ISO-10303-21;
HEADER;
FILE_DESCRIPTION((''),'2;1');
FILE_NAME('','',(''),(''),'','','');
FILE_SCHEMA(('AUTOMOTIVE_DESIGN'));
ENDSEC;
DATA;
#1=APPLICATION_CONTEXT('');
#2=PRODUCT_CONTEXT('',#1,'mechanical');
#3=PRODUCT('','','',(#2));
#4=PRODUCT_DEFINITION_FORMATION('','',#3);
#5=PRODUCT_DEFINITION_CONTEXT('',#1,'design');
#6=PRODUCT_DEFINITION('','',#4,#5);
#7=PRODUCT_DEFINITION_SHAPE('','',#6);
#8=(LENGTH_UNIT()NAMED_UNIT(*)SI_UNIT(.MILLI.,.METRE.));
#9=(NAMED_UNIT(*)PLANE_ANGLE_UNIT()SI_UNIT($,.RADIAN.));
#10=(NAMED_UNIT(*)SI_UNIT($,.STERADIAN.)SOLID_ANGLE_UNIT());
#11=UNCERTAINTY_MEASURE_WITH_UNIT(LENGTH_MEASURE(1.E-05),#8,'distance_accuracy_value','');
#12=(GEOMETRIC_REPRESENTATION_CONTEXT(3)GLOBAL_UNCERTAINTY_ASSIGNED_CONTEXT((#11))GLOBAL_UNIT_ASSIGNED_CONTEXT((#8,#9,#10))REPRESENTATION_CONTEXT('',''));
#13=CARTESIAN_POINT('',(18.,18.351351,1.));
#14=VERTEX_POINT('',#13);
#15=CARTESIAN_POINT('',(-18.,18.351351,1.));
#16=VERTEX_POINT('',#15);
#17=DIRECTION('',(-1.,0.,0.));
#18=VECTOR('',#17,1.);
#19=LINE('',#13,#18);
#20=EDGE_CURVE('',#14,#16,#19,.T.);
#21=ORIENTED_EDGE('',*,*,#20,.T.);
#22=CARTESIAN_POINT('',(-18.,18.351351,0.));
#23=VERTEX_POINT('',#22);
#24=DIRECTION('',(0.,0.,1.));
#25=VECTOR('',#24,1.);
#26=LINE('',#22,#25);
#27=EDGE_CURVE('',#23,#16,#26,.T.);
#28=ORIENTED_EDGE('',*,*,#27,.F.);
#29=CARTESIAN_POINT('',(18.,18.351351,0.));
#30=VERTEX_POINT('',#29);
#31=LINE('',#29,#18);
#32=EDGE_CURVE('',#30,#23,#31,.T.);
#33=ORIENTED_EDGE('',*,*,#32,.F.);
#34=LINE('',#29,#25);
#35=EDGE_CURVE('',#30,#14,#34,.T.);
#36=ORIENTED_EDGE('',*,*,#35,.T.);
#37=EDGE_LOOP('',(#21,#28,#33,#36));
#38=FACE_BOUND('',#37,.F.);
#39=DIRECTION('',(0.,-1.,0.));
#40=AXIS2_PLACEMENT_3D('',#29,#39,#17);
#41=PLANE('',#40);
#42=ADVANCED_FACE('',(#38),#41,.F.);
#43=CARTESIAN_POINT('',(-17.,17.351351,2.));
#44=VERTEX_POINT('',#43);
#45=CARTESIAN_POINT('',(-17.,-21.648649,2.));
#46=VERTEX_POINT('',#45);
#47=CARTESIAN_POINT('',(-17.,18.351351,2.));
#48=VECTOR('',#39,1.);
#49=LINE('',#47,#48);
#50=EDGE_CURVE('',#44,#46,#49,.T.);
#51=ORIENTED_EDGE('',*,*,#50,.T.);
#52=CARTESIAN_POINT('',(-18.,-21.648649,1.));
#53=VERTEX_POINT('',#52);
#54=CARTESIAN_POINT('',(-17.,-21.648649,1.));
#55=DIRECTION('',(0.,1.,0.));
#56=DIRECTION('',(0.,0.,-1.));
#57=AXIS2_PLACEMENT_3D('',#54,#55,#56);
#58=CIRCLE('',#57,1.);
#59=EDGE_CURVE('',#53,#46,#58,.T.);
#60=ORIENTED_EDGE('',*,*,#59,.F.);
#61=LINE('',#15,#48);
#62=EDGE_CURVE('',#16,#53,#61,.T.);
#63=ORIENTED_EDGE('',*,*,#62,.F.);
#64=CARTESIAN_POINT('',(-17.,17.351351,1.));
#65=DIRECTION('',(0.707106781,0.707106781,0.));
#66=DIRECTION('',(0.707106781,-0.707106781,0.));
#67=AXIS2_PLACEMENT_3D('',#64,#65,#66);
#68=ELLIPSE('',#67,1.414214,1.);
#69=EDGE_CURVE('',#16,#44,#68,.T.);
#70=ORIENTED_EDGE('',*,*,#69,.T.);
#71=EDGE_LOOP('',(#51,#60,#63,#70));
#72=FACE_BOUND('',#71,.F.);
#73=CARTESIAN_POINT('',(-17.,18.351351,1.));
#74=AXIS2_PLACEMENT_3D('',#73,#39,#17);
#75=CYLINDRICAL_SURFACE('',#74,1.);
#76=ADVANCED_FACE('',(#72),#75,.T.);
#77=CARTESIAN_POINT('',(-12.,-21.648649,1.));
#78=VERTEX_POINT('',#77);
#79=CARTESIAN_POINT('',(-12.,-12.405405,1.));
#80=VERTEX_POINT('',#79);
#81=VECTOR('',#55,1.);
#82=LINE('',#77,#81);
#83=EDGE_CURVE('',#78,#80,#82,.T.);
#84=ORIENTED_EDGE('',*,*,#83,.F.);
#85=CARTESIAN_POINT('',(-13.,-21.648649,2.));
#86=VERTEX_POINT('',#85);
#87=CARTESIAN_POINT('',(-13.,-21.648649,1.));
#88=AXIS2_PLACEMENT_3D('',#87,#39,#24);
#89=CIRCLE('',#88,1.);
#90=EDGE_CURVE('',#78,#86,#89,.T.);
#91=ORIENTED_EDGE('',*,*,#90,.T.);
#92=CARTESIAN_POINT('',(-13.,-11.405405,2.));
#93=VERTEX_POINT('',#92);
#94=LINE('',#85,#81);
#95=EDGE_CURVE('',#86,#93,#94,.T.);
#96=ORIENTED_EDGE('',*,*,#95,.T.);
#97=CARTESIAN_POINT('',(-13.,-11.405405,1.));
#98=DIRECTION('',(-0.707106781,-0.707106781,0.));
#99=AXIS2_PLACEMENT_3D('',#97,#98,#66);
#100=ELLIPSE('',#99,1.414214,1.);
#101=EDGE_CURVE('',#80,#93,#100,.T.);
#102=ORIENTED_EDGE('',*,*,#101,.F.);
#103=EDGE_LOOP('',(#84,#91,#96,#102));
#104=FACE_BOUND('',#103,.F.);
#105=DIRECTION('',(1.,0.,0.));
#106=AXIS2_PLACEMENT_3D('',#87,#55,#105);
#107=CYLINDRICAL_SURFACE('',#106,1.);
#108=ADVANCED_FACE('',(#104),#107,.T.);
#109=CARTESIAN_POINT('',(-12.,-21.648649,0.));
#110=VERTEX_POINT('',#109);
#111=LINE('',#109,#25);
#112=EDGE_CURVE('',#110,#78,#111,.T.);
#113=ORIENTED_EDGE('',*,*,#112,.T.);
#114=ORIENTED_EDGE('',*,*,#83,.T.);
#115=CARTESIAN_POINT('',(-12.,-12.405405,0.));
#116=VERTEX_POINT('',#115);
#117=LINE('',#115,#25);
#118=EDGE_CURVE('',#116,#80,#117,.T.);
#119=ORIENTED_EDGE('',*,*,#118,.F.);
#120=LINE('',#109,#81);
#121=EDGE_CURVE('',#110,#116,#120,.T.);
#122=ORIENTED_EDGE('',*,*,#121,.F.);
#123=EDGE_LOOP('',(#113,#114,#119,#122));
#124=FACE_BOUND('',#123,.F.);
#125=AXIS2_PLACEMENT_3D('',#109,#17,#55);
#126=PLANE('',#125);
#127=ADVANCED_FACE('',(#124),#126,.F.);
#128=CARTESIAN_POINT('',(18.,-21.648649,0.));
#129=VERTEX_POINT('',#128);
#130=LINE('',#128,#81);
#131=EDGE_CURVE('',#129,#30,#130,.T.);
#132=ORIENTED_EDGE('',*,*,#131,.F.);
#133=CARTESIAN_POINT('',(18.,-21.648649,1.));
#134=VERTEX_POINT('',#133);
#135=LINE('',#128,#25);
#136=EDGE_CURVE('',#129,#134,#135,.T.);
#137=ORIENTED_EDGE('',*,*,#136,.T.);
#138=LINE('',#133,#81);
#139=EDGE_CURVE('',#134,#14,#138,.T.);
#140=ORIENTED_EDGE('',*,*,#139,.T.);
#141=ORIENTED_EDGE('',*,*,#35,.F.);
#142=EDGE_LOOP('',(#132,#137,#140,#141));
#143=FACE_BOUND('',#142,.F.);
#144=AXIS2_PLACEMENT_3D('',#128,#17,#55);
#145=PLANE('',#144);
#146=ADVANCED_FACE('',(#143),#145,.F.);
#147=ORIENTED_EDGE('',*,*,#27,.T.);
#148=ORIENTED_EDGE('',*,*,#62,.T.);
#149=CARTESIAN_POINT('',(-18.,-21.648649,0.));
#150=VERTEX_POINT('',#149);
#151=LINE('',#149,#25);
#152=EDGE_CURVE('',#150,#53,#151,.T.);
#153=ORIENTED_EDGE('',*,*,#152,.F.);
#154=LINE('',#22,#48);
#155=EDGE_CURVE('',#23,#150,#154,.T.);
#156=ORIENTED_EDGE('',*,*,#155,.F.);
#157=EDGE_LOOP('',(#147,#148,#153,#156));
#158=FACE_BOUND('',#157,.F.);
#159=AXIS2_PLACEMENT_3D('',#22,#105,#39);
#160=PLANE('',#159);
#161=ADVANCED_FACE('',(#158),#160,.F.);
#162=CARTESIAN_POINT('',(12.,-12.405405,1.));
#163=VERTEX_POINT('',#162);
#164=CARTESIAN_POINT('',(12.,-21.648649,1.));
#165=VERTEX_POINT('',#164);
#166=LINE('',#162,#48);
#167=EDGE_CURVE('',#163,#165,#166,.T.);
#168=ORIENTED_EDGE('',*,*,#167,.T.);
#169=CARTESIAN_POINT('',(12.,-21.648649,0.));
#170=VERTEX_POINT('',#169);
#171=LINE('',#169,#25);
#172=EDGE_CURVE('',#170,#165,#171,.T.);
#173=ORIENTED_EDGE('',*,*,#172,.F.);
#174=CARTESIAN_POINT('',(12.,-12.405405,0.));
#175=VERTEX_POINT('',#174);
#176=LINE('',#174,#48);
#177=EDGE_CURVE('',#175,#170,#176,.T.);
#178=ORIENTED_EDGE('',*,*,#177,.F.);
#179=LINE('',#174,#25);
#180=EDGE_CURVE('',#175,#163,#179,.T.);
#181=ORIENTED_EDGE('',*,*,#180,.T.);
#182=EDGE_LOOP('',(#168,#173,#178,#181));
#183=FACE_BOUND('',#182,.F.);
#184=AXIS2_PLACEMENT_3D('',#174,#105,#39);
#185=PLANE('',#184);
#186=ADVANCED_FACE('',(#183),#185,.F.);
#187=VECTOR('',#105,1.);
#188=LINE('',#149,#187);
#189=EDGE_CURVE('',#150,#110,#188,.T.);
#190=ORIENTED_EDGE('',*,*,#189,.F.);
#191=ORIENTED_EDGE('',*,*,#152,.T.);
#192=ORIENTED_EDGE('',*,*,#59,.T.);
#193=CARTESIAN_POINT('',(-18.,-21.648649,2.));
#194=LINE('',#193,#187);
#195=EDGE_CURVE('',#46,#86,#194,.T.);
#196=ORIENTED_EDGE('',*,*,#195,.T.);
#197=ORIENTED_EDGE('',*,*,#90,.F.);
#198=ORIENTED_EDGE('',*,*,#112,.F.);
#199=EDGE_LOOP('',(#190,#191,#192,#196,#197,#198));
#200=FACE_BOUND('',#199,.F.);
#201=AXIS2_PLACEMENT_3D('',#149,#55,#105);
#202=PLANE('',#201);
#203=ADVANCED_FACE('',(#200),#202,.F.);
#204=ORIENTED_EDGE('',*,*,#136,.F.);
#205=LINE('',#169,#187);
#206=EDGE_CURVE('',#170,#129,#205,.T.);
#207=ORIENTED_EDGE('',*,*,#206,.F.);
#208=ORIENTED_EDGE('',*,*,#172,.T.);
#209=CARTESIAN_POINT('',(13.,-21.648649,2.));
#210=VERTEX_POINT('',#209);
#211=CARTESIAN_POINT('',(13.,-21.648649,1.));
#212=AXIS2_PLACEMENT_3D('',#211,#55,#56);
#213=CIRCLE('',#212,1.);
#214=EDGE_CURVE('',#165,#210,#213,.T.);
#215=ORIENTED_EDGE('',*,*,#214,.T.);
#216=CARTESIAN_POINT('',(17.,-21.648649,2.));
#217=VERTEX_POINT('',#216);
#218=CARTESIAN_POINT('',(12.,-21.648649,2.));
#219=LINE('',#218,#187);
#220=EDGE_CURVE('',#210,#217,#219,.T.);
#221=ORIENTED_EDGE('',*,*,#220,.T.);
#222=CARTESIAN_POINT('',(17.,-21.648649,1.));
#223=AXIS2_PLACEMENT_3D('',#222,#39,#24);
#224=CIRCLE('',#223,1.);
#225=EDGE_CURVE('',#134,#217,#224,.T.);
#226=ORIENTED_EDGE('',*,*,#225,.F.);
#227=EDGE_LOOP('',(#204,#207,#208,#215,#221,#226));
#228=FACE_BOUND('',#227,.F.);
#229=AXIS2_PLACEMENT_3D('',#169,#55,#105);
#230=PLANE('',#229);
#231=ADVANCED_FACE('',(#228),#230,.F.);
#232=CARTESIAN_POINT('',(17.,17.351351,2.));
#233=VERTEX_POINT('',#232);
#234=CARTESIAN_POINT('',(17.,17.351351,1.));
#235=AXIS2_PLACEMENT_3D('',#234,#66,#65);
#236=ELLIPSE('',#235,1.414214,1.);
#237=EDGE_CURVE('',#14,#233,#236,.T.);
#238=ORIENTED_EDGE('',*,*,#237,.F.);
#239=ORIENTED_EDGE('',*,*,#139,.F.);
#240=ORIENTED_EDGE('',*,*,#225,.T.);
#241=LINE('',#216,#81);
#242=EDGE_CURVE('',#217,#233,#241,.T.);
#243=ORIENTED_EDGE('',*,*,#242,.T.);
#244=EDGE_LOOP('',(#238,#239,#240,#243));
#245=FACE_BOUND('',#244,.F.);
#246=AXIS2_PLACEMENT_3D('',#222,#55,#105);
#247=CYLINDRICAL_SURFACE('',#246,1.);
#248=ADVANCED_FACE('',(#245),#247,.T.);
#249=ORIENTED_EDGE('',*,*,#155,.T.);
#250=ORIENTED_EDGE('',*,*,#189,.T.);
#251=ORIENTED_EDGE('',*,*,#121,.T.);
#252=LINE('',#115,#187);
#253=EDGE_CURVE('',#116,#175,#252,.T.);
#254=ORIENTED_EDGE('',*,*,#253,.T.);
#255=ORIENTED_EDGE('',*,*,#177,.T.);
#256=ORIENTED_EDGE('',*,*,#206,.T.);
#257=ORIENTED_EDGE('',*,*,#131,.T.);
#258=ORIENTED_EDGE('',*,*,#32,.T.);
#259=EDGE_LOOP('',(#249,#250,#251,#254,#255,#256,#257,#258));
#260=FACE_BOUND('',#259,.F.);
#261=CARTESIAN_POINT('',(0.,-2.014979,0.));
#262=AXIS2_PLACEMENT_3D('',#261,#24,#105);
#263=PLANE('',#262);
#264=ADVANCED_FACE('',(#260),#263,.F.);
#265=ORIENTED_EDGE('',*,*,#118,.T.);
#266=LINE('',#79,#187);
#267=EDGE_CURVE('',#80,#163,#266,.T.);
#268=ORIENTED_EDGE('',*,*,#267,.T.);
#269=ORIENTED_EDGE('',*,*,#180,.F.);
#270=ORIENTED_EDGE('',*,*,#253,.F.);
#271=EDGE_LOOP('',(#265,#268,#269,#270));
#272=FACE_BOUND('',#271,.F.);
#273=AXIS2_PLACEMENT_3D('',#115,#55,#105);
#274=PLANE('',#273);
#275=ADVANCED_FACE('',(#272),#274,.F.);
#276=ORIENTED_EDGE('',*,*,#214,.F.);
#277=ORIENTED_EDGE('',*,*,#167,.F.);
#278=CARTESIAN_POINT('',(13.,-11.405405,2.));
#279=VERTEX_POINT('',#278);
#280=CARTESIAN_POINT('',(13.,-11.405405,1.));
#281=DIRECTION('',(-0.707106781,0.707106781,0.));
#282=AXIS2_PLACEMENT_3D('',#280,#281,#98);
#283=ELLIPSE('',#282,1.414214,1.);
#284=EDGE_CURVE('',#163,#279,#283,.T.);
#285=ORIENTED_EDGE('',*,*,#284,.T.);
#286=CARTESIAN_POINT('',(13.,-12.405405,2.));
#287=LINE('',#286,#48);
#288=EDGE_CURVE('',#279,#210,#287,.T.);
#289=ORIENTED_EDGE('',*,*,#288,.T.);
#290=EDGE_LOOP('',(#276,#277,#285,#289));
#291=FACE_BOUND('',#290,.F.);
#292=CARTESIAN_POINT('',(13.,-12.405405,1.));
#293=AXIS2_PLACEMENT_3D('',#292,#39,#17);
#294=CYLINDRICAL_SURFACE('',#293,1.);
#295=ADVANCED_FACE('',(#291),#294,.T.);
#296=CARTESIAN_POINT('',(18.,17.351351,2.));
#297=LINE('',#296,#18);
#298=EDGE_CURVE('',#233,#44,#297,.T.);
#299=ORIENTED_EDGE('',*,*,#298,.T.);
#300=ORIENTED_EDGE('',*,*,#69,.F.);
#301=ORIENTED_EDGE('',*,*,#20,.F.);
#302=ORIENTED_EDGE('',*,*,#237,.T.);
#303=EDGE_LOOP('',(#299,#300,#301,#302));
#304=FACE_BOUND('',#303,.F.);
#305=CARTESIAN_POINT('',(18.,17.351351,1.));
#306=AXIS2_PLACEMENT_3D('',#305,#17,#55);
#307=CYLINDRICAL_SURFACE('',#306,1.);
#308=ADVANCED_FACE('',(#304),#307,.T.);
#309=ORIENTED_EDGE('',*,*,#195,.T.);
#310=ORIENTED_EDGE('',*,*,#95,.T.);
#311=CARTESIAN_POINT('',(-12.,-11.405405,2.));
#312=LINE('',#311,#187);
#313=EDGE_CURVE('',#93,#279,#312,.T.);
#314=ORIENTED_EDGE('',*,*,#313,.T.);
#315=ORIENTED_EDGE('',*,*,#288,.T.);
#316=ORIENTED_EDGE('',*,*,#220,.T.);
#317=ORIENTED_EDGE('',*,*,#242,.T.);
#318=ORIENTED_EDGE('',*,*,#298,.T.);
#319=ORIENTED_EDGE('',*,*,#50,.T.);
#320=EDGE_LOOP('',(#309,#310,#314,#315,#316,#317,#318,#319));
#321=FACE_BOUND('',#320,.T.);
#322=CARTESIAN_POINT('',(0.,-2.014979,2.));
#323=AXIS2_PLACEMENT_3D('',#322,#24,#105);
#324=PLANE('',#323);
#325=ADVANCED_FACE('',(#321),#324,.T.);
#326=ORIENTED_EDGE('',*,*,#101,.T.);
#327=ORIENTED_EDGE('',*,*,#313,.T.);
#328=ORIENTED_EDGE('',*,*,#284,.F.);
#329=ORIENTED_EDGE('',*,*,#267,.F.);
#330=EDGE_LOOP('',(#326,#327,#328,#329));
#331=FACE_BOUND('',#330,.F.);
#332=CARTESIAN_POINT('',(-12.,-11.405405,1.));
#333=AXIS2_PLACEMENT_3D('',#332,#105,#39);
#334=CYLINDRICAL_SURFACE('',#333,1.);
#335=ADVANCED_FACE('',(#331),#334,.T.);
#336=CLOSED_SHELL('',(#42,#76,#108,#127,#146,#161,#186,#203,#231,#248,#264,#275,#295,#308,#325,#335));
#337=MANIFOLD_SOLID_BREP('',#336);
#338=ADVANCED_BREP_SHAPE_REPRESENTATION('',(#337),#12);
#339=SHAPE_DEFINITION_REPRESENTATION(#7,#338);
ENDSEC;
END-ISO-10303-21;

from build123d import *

# Parameters (mm, degrees)
F1_DEPTH = 2
F2_R     = 1


with BuildPart() as f1:
    # F0 (on Top) → F1 (new body)
    with BuildSketch(Plane.XY):
        Polygon((18, 18.351351), (0, 18.351351), (-18, 18.351351), (-18, -21.648649), (-12, -21.648649), (-12, -12.405405), (0, -12.405405), (12, -12.405405), (12, -21.648649), (18, -21.648649), align=None)
    extrude(amount=F1_DEPTH)

    # F2
    f2_edges = [f1.edges().sort_by_distance(p)[0] for p in [
        (-18, -1.648649, 2),
        (18, -1.648649, 2),
        (12, -17.027027, 2),
        (0, -12.405405, 2),
        (-12, -17.027027, 2),
        (0, 18.351351, 2),
    ]]
    fillet(f2_edges, radius=F2_R)


solid = f1.part
